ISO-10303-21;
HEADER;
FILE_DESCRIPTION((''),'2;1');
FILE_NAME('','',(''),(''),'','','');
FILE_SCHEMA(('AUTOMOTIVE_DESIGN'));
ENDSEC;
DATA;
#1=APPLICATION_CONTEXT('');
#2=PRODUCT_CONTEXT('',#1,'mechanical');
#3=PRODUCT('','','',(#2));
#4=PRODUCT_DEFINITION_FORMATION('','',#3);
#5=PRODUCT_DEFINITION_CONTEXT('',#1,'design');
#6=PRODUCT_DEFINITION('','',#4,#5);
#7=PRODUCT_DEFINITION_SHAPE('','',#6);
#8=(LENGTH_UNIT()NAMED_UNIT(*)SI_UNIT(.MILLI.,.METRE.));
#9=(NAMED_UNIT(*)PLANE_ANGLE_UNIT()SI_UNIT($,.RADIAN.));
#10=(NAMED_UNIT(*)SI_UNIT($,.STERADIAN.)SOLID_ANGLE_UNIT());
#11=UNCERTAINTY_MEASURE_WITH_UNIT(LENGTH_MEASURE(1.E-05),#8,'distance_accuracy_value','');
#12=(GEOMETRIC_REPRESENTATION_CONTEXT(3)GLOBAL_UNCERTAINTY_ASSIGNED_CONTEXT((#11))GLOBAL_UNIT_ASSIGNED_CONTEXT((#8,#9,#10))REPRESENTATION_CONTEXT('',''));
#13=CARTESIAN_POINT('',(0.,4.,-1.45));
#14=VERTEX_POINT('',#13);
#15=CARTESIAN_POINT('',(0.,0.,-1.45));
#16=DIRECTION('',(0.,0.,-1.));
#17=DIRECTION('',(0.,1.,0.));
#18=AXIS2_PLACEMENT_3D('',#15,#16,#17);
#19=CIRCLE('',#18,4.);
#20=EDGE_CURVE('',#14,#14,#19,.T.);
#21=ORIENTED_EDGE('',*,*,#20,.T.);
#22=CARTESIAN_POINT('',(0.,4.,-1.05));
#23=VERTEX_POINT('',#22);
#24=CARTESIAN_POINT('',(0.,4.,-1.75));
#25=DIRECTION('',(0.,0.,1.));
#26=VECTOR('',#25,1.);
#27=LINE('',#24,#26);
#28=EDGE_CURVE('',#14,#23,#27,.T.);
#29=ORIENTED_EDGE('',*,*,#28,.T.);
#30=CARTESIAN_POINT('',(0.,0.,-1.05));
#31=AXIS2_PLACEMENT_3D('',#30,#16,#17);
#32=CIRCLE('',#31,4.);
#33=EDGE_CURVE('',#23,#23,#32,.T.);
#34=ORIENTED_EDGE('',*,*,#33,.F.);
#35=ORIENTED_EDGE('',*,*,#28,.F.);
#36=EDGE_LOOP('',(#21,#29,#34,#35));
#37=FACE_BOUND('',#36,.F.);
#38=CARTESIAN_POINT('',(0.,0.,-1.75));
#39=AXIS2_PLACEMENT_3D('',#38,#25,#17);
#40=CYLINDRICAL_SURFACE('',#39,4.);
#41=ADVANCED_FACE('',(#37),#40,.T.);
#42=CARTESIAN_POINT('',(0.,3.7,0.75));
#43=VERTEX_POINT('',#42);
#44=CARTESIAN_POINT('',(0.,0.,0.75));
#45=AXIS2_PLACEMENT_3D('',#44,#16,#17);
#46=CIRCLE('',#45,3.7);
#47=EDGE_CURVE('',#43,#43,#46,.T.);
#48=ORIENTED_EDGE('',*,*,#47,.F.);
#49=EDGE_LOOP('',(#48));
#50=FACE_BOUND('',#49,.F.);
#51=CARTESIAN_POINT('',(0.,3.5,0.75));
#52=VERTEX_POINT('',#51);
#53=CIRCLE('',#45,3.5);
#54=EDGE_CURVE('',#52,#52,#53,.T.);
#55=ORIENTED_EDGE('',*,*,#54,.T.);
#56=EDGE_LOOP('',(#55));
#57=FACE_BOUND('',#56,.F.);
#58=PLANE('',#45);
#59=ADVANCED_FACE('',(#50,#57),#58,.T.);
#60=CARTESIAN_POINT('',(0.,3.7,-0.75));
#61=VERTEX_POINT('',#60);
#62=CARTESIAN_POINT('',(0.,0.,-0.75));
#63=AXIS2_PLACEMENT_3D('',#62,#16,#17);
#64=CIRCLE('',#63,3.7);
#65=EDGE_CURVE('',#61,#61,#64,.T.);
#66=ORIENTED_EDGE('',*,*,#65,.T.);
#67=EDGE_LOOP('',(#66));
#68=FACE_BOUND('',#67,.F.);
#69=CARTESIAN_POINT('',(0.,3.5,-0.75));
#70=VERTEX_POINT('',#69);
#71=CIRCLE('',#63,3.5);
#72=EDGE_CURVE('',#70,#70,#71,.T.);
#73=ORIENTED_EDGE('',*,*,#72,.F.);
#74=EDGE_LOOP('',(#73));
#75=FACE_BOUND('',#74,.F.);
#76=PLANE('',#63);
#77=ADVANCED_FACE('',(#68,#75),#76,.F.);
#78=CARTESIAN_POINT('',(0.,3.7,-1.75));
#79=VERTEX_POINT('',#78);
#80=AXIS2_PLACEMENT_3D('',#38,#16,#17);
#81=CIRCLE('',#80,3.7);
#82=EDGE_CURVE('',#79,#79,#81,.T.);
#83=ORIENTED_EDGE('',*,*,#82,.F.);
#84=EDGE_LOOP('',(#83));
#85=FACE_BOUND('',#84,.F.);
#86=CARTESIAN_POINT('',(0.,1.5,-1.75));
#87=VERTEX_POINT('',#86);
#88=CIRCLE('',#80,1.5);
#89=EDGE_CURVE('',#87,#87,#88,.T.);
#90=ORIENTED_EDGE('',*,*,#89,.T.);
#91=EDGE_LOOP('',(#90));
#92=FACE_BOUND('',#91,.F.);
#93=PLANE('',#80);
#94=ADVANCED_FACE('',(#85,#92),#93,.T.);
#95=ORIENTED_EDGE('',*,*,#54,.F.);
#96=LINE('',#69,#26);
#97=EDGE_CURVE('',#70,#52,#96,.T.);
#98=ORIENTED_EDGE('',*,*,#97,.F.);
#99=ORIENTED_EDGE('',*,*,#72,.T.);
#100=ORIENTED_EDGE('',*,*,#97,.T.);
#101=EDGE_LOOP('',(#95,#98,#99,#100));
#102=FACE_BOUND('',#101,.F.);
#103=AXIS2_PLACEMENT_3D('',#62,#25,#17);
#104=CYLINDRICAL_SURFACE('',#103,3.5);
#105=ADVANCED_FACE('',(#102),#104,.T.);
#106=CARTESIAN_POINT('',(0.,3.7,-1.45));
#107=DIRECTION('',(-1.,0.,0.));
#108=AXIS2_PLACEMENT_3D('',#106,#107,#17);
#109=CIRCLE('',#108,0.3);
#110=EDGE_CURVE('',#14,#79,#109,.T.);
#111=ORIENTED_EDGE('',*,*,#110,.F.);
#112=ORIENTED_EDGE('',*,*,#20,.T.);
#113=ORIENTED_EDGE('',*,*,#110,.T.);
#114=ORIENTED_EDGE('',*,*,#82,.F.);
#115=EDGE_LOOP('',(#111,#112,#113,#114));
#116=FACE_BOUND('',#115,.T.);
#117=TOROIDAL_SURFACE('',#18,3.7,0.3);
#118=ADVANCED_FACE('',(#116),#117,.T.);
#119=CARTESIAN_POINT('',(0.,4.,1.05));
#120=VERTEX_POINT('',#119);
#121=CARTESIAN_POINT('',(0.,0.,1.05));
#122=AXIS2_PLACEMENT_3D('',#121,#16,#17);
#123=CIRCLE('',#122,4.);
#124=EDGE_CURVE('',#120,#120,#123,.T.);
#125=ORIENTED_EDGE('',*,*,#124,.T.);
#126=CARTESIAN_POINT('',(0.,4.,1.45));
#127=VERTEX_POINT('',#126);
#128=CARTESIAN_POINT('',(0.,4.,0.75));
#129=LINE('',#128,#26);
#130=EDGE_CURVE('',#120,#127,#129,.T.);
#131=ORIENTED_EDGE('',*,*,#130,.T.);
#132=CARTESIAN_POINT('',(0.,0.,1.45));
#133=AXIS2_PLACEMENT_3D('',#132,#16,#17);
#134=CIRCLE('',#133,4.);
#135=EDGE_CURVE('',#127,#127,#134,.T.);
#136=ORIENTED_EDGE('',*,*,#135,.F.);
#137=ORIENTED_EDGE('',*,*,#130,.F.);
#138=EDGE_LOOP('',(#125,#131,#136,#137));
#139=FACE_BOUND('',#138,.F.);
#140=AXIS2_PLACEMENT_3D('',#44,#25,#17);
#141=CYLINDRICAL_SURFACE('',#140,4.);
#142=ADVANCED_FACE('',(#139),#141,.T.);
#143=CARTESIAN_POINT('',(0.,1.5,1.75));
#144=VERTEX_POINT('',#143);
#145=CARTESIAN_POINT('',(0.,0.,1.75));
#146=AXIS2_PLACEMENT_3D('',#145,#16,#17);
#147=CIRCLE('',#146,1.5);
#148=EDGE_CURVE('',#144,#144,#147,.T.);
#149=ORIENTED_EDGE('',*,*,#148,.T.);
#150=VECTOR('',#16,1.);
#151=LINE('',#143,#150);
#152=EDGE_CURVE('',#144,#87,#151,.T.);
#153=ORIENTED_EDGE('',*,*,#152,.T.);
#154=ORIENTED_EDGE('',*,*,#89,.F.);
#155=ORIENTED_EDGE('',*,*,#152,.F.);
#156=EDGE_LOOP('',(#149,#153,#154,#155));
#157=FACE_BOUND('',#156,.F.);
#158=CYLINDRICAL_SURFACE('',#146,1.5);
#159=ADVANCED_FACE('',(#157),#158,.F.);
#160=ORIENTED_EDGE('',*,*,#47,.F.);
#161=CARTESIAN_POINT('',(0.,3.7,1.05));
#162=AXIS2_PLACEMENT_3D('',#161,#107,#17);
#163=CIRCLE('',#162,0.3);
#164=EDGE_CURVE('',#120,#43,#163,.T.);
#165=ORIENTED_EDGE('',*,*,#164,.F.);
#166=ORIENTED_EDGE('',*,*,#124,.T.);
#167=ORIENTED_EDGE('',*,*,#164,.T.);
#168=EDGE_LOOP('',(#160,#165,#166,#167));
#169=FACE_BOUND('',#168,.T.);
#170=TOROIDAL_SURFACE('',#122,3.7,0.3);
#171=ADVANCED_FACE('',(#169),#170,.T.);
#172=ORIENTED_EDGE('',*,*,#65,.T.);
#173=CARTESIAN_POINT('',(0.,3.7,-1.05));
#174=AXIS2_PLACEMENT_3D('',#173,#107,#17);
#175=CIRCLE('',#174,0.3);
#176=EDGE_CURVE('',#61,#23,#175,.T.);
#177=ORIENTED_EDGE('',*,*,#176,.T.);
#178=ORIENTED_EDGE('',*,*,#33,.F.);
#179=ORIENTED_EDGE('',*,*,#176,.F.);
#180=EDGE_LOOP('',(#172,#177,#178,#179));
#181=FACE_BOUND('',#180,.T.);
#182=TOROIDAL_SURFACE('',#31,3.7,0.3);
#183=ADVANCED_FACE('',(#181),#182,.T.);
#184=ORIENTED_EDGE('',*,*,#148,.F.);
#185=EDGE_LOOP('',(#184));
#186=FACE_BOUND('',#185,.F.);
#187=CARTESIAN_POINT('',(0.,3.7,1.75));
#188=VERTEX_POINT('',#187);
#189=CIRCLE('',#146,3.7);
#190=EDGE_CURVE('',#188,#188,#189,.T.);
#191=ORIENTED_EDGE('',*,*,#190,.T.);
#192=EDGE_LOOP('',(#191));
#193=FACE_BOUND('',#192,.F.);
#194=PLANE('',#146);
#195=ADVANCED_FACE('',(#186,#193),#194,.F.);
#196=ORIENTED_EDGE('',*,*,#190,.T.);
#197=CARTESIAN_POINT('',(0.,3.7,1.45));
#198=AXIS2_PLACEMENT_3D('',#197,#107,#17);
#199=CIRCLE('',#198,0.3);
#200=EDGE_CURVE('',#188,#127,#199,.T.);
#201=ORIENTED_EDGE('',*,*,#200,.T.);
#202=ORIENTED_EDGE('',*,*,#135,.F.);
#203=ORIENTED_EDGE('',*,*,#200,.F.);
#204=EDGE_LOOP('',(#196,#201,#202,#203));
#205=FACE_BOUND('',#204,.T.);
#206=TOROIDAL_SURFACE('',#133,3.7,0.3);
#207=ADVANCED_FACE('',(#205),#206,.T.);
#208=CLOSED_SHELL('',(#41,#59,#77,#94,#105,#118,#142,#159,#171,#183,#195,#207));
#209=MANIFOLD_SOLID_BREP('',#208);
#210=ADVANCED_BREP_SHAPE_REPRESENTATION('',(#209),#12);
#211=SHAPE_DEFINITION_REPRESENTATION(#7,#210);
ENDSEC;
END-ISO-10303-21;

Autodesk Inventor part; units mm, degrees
ref_plane "YZ Plane" through (0, 0, 0) normal (1, 0, 0) x (0, 1, 0)
ref_plane "XZ Plane" through (0, 0, 0) normal (0, 1, 0) x (-1, 0, 0)
ref_plane "XY Plane" through (0, 0, 0) normal (0, 0, 1) x (1, 0, 0)
sketch "Sketch1" plane through (0, 0, 0) normal (1, 0, 0) x (0, 1, 0)
  line L0 (0, 4.1186) -> (0, -3.7432) construction
  line L1 (0, 0) -> (4.3895, 0) construction
  line L2 (1.5, 1.75) -> (1.5, -1.75)
  line L3 (1.5, -1.75) -> (4, -1.75)
  line L4 (4, -1.75) -> (4, -0.75)
  line L5 (4, -0.75) -> (3.5, -0.75)
  line L6 (3.5, -0.75) -> (3.5, 0.75)
  line L7 (3.5, 0.75) -> (4, 0.75)
  line L8 (4, 0.75) -> (4, 1.75)
  line L9 (4, 1.75) -> (1.5, 1.75)
  dimension "d0" = 3.5
  dimension "d1" = 8
  dimension "d2" = 3
  dimension "d3" = 1.5
  dimension "d4" = 0.5
revolve "Revolution1" add sketch "Sketch1" angle 360 about axis through (0, 0, 4.1186) along (0, 0, -1)
fillet "Fillet1" radius 0.3 4 edges at (0, -4, 1.75) (0, -4, -1.75) (0, -4, -0.75) (0, -4, 0.75)
properties part number "bearing_thrust_3x8x3,5" material "Stainless Steel"
